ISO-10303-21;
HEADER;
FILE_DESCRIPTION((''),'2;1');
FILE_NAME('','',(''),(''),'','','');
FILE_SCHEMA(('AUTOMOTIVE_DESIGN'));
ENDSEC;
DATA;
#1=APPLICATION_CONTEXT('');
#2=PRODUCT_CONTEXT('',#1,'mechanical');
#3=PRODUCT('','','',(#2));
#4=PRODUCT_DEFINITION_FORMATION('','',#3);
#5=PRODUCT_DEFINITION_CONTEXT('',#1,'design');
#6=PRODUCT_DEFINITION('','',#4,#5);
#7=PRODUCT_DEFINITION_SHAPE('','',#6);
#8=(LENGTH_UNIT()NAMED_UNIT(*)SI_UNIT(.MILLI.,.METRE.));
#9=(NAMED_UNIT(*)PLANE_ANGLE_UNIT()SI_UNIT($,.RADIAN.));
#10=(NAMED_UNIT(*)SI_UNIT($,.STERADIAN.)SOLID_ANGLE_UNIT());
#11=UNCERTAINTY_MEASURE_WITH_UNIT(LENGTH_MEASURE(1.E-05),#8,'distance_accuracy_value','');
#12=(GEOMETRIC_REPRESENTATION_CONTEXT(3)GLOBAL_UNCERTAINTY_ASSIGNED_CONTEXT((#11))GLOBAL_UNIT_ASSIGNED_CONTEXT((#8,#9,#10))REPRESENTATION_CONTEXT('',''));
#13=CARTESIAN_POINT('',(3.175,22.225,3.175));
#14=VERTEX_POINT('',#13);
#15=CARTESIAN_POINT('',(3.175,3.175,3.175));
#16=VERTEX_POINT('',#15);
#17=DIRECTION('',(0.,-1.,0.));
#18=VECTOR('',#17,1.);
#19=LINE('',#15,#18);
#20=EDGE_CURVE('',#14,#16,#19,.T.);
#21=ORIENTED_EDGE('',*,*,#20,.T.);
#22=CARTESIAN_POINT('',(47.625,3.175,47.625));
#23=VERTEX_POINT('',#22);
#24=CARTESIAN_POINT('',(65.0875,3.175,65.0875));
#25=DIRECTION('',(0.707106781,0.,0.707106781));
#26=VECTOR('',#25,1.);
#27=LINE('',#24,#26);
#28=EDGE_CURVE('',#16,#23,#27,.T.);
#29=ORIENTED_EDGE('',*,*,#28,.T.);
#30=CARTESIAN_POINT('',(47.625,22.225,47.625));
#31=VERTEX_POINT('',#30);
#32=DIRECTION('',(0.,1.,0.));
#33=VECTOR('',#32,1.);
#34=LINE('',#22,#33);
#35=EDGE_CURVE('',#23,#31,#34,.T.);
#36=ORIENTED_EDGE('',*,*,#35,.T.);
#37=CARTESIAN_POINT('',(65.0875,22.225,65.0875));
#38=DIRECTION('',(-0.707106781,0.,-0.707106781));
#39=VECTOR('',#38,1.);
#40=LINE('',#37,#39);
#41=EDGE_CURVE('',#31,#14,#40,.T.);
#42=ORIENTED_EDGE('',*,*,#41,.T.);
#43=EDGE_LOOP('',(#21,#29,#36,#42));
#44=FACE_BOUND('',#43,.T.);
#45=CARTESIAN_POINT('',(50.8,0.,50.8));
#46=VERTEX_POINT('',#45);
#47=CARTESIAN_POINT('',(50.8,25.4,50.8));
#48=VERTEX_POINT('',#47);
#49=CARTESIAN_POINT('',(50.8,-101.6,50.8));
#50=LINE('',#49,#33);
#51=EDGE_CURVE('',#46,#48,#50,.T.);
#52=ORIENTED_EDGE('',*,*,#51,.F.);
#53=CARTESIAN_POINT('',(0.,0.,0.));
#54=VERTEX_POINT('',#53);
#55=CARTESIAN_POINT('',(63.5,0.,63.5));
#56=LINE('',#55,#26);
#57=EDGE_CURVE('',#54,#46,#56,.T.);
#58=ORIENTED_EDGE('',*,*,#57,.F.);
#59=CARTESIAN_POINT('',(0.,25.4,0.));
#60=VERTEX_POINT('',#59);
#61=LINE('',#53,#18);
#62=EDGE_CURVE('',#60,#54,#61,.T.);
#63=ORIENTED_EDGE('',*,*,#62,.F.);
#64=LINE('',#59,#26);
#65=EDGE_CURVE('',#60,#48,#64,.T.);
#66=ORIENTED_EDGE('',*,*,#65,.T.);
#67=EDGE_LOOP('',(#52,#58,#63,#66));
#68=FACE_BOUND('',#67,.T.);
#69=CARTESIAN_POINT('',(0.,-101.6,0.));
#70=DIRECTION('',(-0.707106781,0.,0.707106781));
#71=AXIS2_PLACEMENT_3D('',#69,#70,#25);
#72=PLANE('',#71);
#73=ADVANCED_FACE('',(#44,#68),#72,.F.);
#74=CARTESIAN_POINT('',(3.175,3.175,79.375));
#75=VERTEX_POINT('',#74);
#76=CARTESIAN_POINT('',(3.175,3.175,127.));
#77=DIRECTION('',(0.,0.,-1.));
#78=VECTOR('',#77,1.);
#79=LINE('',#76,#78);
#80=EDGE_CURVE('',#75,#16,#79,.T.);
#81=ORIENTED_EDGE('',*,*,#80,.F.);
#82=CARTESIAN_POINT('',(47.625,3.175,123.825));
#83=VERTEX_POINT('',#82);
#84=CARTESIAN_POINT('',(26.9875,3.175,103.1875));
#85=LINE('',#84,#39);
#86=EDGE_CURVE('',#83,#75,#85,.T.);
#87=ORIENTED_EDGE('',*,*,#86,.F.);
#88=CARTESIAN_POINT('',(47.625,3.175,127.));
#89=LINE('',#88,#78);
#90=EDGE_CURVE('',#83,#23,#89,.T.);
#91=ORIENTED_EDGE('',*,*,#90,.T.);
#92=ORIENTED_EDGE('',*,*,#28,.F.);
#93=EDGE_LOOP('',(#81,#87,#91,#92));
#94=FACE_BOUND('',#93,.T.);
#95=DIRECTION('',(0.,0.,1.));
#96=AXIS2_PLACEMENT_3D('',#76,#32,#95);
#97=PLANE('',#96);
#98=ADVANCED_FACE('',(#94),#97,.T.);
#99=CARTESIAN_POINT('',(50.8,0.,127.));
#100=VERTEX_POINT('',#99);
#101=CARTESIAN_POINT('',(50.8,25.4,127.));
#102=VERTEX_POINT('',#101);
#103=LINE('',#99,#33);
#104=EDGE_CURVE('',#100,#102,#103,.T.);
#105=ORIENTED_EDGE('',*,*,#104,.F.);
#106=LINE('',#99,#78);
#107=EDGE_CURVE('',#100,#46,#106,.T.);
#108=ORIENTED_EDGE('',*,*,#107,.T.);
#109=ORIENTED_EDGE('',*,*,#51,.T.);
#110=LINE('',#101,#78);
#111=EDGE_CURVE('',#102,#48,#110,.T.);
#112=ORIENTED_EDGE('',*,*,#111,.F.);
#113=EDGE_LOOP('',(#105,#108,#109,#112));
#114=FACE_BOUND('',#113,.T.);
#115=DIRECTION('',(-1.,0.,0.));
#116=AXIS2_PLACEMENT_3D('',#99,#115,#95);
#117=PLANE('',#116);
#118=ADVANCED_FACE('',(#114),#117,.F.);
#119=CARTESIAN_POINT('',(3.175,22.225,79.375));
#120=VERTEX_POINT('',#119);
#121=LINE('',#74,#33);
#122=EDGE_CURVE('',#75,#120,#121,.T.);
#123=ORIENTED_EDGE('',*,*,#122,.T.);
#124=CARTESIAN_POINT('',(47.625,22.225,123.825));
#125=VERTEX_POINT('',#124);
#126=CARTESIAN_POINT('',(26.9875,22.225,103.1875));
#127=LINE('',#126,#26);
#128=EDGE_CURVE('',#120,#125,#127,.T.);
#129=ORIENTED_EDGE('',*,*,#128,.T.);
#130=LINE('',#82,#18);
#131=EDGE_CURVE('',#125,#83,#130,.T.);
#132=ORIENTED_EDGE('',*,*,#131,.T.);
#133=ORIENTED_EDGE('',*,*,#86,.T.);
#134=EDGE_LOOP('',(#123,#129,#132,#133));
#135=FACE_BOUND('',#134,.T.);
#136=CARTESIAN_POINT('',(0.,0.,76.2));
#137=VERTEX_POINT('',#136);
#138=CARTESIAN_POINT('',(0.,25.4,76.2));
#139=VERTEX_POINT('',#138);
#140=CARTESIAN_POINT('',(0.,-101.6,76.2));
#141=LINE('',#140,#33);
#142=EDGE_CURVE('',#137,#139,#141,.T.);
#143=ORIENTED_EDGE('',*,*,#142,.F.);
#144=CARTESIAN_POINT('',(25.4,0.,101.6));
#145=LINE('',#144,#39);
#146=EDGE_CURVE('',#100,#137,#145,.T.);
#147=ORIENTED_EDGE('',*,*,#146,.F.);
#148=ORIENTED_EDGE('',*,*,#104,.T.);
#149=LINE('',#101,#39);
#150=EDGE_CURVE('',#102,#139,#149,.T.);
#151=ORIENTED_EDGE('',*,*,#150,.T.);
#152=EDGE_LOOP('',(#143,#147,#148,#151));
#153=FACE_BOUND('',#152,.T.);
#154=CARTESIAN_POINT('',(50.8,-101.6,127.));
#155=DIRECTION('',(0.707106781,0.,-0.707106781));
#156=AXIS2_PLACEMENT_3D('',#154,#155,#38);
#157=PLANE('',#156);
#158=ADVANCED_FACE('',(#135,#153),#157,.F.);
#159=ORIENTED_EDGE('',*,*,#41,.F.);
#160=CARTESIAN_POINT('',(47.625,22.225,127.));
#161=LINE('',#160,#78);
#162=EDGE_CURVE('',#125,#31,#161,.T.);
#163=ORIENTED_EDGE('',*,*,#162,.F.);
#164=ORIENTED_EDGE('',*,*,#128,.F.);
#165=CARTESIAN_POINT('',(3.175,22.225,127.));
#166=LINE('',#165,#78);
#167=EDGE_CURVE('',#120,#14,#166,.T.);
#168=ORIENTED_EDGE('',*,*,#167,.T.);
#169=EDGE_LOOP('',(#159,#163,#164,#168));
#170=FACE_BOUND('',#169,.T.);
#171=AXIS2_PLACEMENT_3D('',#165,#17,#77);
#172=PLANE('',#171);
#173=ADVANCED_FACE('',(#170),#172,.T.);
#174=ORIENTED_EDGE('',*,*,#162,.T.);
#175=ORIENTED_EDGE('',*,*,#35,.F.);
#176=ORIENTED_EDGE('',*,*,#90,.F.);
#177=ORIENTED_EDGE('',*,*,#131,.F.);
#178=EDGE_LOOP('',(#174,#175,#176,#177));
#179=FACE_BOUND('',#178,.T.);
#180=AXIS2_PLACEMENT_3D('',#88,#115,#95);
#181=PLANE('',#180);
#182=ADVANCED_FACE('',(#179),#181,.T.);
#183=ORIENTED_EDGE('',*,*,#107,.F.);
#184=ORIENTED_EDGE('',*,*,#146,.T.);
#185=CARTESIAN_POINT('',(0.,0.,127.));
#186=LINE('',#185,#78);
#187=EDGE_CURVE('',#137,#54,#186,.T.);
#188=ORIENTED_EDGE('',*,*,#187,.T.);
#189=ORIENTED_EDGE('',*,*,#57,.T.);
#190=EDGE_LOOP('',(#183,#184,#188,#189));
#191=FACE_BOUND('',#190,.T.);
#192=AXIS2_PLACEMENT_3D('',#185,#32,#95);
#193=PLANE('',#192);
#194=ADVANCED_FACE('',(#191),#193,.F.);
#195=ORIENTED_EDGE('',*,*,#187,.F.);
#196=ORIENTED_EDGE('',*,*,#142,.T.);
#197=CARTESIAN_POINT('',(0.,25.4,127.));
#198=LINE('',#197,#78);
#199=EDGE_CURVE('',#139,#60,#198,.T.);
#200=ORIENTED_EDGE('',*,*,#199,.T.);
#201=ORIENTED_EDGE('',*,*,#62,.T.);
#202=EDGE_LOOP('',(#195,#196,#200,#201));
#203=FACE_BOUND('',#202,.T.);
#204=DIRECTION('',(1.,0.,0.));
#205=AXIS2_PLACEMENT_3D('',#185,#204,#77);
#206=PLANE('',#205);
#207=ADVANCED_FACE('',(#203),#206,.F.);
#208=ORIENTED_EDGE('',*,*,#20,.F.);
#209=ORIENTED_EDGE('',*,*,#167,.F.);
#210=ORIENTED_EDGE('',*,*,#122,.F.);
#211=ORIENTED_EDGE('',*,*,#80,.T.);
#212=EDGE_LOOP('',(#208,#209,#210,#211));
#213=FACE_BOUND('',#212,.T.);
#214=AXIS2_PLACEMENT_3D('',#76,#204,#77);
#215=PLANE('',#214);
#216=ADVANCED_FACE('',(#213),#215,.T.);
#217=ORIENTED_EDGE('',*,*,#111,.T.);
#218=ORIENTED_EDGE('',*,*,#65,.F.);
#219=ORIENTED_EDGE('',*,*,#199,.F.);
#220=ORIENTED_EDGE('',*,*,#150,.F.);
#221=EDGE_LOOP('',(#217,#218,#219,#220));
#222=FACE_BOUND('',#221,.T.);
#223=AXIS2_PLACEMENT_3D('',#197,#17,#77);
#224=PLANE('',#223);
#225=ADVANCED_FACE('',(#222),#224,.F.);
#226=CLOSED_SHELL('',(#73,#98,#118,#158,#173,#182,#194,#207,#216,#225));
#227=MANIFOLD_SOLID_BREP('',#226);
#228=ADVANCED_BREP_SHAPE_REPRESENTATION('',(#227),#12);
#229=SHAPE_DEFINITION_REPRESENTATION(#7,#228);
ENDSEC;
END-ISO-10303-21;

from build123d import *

# Parameters (mm, degrees)
SKETCH1_W           = 50.8
SKETCH1_H           = 25.4
SKETCH1_W_2         = 44.45
SKETCH1_H_2         = 19.05
BOSS_EXTRUDE1_DEPTH = 127
CUT_EXTRUDE1_DEPTH  = 127


with BuildPart() as part:
    # Sketch1 → Boss-Extrude1 (new body)
    with BuildSketch(Plane.XY):
        with Locations((25.4, 12.7)):
            Rectangle(SKETCH1_W, SKETCH1_H)
        with Locations((25.4, 12.7)):
            Rectangle(SKETCH1_W_2, SKETCH1_H_2, mode=Mode.SUBTRACT)
    extrude(amount=BOSS_EXTRUDE1_DEPTH)

    # Sketch2 → Cut-Extrude1 (cut)
    with BuildSketch(Plane(origin=(0, 25.4, 0), x_dir=(1, 0, 0), z_dir=(0, 1, 0))):
        Polygon((0, 0), (50.8, -50.8), (50.8, 0), align=None)
        Polygon((0, -76.2), (0, -127), (50.8, -127), align=None)
    extrude(amount=-CUT_EXTRUDE1_DEPTH, mode=Mode.SUBTRACT)


solid = part.part
